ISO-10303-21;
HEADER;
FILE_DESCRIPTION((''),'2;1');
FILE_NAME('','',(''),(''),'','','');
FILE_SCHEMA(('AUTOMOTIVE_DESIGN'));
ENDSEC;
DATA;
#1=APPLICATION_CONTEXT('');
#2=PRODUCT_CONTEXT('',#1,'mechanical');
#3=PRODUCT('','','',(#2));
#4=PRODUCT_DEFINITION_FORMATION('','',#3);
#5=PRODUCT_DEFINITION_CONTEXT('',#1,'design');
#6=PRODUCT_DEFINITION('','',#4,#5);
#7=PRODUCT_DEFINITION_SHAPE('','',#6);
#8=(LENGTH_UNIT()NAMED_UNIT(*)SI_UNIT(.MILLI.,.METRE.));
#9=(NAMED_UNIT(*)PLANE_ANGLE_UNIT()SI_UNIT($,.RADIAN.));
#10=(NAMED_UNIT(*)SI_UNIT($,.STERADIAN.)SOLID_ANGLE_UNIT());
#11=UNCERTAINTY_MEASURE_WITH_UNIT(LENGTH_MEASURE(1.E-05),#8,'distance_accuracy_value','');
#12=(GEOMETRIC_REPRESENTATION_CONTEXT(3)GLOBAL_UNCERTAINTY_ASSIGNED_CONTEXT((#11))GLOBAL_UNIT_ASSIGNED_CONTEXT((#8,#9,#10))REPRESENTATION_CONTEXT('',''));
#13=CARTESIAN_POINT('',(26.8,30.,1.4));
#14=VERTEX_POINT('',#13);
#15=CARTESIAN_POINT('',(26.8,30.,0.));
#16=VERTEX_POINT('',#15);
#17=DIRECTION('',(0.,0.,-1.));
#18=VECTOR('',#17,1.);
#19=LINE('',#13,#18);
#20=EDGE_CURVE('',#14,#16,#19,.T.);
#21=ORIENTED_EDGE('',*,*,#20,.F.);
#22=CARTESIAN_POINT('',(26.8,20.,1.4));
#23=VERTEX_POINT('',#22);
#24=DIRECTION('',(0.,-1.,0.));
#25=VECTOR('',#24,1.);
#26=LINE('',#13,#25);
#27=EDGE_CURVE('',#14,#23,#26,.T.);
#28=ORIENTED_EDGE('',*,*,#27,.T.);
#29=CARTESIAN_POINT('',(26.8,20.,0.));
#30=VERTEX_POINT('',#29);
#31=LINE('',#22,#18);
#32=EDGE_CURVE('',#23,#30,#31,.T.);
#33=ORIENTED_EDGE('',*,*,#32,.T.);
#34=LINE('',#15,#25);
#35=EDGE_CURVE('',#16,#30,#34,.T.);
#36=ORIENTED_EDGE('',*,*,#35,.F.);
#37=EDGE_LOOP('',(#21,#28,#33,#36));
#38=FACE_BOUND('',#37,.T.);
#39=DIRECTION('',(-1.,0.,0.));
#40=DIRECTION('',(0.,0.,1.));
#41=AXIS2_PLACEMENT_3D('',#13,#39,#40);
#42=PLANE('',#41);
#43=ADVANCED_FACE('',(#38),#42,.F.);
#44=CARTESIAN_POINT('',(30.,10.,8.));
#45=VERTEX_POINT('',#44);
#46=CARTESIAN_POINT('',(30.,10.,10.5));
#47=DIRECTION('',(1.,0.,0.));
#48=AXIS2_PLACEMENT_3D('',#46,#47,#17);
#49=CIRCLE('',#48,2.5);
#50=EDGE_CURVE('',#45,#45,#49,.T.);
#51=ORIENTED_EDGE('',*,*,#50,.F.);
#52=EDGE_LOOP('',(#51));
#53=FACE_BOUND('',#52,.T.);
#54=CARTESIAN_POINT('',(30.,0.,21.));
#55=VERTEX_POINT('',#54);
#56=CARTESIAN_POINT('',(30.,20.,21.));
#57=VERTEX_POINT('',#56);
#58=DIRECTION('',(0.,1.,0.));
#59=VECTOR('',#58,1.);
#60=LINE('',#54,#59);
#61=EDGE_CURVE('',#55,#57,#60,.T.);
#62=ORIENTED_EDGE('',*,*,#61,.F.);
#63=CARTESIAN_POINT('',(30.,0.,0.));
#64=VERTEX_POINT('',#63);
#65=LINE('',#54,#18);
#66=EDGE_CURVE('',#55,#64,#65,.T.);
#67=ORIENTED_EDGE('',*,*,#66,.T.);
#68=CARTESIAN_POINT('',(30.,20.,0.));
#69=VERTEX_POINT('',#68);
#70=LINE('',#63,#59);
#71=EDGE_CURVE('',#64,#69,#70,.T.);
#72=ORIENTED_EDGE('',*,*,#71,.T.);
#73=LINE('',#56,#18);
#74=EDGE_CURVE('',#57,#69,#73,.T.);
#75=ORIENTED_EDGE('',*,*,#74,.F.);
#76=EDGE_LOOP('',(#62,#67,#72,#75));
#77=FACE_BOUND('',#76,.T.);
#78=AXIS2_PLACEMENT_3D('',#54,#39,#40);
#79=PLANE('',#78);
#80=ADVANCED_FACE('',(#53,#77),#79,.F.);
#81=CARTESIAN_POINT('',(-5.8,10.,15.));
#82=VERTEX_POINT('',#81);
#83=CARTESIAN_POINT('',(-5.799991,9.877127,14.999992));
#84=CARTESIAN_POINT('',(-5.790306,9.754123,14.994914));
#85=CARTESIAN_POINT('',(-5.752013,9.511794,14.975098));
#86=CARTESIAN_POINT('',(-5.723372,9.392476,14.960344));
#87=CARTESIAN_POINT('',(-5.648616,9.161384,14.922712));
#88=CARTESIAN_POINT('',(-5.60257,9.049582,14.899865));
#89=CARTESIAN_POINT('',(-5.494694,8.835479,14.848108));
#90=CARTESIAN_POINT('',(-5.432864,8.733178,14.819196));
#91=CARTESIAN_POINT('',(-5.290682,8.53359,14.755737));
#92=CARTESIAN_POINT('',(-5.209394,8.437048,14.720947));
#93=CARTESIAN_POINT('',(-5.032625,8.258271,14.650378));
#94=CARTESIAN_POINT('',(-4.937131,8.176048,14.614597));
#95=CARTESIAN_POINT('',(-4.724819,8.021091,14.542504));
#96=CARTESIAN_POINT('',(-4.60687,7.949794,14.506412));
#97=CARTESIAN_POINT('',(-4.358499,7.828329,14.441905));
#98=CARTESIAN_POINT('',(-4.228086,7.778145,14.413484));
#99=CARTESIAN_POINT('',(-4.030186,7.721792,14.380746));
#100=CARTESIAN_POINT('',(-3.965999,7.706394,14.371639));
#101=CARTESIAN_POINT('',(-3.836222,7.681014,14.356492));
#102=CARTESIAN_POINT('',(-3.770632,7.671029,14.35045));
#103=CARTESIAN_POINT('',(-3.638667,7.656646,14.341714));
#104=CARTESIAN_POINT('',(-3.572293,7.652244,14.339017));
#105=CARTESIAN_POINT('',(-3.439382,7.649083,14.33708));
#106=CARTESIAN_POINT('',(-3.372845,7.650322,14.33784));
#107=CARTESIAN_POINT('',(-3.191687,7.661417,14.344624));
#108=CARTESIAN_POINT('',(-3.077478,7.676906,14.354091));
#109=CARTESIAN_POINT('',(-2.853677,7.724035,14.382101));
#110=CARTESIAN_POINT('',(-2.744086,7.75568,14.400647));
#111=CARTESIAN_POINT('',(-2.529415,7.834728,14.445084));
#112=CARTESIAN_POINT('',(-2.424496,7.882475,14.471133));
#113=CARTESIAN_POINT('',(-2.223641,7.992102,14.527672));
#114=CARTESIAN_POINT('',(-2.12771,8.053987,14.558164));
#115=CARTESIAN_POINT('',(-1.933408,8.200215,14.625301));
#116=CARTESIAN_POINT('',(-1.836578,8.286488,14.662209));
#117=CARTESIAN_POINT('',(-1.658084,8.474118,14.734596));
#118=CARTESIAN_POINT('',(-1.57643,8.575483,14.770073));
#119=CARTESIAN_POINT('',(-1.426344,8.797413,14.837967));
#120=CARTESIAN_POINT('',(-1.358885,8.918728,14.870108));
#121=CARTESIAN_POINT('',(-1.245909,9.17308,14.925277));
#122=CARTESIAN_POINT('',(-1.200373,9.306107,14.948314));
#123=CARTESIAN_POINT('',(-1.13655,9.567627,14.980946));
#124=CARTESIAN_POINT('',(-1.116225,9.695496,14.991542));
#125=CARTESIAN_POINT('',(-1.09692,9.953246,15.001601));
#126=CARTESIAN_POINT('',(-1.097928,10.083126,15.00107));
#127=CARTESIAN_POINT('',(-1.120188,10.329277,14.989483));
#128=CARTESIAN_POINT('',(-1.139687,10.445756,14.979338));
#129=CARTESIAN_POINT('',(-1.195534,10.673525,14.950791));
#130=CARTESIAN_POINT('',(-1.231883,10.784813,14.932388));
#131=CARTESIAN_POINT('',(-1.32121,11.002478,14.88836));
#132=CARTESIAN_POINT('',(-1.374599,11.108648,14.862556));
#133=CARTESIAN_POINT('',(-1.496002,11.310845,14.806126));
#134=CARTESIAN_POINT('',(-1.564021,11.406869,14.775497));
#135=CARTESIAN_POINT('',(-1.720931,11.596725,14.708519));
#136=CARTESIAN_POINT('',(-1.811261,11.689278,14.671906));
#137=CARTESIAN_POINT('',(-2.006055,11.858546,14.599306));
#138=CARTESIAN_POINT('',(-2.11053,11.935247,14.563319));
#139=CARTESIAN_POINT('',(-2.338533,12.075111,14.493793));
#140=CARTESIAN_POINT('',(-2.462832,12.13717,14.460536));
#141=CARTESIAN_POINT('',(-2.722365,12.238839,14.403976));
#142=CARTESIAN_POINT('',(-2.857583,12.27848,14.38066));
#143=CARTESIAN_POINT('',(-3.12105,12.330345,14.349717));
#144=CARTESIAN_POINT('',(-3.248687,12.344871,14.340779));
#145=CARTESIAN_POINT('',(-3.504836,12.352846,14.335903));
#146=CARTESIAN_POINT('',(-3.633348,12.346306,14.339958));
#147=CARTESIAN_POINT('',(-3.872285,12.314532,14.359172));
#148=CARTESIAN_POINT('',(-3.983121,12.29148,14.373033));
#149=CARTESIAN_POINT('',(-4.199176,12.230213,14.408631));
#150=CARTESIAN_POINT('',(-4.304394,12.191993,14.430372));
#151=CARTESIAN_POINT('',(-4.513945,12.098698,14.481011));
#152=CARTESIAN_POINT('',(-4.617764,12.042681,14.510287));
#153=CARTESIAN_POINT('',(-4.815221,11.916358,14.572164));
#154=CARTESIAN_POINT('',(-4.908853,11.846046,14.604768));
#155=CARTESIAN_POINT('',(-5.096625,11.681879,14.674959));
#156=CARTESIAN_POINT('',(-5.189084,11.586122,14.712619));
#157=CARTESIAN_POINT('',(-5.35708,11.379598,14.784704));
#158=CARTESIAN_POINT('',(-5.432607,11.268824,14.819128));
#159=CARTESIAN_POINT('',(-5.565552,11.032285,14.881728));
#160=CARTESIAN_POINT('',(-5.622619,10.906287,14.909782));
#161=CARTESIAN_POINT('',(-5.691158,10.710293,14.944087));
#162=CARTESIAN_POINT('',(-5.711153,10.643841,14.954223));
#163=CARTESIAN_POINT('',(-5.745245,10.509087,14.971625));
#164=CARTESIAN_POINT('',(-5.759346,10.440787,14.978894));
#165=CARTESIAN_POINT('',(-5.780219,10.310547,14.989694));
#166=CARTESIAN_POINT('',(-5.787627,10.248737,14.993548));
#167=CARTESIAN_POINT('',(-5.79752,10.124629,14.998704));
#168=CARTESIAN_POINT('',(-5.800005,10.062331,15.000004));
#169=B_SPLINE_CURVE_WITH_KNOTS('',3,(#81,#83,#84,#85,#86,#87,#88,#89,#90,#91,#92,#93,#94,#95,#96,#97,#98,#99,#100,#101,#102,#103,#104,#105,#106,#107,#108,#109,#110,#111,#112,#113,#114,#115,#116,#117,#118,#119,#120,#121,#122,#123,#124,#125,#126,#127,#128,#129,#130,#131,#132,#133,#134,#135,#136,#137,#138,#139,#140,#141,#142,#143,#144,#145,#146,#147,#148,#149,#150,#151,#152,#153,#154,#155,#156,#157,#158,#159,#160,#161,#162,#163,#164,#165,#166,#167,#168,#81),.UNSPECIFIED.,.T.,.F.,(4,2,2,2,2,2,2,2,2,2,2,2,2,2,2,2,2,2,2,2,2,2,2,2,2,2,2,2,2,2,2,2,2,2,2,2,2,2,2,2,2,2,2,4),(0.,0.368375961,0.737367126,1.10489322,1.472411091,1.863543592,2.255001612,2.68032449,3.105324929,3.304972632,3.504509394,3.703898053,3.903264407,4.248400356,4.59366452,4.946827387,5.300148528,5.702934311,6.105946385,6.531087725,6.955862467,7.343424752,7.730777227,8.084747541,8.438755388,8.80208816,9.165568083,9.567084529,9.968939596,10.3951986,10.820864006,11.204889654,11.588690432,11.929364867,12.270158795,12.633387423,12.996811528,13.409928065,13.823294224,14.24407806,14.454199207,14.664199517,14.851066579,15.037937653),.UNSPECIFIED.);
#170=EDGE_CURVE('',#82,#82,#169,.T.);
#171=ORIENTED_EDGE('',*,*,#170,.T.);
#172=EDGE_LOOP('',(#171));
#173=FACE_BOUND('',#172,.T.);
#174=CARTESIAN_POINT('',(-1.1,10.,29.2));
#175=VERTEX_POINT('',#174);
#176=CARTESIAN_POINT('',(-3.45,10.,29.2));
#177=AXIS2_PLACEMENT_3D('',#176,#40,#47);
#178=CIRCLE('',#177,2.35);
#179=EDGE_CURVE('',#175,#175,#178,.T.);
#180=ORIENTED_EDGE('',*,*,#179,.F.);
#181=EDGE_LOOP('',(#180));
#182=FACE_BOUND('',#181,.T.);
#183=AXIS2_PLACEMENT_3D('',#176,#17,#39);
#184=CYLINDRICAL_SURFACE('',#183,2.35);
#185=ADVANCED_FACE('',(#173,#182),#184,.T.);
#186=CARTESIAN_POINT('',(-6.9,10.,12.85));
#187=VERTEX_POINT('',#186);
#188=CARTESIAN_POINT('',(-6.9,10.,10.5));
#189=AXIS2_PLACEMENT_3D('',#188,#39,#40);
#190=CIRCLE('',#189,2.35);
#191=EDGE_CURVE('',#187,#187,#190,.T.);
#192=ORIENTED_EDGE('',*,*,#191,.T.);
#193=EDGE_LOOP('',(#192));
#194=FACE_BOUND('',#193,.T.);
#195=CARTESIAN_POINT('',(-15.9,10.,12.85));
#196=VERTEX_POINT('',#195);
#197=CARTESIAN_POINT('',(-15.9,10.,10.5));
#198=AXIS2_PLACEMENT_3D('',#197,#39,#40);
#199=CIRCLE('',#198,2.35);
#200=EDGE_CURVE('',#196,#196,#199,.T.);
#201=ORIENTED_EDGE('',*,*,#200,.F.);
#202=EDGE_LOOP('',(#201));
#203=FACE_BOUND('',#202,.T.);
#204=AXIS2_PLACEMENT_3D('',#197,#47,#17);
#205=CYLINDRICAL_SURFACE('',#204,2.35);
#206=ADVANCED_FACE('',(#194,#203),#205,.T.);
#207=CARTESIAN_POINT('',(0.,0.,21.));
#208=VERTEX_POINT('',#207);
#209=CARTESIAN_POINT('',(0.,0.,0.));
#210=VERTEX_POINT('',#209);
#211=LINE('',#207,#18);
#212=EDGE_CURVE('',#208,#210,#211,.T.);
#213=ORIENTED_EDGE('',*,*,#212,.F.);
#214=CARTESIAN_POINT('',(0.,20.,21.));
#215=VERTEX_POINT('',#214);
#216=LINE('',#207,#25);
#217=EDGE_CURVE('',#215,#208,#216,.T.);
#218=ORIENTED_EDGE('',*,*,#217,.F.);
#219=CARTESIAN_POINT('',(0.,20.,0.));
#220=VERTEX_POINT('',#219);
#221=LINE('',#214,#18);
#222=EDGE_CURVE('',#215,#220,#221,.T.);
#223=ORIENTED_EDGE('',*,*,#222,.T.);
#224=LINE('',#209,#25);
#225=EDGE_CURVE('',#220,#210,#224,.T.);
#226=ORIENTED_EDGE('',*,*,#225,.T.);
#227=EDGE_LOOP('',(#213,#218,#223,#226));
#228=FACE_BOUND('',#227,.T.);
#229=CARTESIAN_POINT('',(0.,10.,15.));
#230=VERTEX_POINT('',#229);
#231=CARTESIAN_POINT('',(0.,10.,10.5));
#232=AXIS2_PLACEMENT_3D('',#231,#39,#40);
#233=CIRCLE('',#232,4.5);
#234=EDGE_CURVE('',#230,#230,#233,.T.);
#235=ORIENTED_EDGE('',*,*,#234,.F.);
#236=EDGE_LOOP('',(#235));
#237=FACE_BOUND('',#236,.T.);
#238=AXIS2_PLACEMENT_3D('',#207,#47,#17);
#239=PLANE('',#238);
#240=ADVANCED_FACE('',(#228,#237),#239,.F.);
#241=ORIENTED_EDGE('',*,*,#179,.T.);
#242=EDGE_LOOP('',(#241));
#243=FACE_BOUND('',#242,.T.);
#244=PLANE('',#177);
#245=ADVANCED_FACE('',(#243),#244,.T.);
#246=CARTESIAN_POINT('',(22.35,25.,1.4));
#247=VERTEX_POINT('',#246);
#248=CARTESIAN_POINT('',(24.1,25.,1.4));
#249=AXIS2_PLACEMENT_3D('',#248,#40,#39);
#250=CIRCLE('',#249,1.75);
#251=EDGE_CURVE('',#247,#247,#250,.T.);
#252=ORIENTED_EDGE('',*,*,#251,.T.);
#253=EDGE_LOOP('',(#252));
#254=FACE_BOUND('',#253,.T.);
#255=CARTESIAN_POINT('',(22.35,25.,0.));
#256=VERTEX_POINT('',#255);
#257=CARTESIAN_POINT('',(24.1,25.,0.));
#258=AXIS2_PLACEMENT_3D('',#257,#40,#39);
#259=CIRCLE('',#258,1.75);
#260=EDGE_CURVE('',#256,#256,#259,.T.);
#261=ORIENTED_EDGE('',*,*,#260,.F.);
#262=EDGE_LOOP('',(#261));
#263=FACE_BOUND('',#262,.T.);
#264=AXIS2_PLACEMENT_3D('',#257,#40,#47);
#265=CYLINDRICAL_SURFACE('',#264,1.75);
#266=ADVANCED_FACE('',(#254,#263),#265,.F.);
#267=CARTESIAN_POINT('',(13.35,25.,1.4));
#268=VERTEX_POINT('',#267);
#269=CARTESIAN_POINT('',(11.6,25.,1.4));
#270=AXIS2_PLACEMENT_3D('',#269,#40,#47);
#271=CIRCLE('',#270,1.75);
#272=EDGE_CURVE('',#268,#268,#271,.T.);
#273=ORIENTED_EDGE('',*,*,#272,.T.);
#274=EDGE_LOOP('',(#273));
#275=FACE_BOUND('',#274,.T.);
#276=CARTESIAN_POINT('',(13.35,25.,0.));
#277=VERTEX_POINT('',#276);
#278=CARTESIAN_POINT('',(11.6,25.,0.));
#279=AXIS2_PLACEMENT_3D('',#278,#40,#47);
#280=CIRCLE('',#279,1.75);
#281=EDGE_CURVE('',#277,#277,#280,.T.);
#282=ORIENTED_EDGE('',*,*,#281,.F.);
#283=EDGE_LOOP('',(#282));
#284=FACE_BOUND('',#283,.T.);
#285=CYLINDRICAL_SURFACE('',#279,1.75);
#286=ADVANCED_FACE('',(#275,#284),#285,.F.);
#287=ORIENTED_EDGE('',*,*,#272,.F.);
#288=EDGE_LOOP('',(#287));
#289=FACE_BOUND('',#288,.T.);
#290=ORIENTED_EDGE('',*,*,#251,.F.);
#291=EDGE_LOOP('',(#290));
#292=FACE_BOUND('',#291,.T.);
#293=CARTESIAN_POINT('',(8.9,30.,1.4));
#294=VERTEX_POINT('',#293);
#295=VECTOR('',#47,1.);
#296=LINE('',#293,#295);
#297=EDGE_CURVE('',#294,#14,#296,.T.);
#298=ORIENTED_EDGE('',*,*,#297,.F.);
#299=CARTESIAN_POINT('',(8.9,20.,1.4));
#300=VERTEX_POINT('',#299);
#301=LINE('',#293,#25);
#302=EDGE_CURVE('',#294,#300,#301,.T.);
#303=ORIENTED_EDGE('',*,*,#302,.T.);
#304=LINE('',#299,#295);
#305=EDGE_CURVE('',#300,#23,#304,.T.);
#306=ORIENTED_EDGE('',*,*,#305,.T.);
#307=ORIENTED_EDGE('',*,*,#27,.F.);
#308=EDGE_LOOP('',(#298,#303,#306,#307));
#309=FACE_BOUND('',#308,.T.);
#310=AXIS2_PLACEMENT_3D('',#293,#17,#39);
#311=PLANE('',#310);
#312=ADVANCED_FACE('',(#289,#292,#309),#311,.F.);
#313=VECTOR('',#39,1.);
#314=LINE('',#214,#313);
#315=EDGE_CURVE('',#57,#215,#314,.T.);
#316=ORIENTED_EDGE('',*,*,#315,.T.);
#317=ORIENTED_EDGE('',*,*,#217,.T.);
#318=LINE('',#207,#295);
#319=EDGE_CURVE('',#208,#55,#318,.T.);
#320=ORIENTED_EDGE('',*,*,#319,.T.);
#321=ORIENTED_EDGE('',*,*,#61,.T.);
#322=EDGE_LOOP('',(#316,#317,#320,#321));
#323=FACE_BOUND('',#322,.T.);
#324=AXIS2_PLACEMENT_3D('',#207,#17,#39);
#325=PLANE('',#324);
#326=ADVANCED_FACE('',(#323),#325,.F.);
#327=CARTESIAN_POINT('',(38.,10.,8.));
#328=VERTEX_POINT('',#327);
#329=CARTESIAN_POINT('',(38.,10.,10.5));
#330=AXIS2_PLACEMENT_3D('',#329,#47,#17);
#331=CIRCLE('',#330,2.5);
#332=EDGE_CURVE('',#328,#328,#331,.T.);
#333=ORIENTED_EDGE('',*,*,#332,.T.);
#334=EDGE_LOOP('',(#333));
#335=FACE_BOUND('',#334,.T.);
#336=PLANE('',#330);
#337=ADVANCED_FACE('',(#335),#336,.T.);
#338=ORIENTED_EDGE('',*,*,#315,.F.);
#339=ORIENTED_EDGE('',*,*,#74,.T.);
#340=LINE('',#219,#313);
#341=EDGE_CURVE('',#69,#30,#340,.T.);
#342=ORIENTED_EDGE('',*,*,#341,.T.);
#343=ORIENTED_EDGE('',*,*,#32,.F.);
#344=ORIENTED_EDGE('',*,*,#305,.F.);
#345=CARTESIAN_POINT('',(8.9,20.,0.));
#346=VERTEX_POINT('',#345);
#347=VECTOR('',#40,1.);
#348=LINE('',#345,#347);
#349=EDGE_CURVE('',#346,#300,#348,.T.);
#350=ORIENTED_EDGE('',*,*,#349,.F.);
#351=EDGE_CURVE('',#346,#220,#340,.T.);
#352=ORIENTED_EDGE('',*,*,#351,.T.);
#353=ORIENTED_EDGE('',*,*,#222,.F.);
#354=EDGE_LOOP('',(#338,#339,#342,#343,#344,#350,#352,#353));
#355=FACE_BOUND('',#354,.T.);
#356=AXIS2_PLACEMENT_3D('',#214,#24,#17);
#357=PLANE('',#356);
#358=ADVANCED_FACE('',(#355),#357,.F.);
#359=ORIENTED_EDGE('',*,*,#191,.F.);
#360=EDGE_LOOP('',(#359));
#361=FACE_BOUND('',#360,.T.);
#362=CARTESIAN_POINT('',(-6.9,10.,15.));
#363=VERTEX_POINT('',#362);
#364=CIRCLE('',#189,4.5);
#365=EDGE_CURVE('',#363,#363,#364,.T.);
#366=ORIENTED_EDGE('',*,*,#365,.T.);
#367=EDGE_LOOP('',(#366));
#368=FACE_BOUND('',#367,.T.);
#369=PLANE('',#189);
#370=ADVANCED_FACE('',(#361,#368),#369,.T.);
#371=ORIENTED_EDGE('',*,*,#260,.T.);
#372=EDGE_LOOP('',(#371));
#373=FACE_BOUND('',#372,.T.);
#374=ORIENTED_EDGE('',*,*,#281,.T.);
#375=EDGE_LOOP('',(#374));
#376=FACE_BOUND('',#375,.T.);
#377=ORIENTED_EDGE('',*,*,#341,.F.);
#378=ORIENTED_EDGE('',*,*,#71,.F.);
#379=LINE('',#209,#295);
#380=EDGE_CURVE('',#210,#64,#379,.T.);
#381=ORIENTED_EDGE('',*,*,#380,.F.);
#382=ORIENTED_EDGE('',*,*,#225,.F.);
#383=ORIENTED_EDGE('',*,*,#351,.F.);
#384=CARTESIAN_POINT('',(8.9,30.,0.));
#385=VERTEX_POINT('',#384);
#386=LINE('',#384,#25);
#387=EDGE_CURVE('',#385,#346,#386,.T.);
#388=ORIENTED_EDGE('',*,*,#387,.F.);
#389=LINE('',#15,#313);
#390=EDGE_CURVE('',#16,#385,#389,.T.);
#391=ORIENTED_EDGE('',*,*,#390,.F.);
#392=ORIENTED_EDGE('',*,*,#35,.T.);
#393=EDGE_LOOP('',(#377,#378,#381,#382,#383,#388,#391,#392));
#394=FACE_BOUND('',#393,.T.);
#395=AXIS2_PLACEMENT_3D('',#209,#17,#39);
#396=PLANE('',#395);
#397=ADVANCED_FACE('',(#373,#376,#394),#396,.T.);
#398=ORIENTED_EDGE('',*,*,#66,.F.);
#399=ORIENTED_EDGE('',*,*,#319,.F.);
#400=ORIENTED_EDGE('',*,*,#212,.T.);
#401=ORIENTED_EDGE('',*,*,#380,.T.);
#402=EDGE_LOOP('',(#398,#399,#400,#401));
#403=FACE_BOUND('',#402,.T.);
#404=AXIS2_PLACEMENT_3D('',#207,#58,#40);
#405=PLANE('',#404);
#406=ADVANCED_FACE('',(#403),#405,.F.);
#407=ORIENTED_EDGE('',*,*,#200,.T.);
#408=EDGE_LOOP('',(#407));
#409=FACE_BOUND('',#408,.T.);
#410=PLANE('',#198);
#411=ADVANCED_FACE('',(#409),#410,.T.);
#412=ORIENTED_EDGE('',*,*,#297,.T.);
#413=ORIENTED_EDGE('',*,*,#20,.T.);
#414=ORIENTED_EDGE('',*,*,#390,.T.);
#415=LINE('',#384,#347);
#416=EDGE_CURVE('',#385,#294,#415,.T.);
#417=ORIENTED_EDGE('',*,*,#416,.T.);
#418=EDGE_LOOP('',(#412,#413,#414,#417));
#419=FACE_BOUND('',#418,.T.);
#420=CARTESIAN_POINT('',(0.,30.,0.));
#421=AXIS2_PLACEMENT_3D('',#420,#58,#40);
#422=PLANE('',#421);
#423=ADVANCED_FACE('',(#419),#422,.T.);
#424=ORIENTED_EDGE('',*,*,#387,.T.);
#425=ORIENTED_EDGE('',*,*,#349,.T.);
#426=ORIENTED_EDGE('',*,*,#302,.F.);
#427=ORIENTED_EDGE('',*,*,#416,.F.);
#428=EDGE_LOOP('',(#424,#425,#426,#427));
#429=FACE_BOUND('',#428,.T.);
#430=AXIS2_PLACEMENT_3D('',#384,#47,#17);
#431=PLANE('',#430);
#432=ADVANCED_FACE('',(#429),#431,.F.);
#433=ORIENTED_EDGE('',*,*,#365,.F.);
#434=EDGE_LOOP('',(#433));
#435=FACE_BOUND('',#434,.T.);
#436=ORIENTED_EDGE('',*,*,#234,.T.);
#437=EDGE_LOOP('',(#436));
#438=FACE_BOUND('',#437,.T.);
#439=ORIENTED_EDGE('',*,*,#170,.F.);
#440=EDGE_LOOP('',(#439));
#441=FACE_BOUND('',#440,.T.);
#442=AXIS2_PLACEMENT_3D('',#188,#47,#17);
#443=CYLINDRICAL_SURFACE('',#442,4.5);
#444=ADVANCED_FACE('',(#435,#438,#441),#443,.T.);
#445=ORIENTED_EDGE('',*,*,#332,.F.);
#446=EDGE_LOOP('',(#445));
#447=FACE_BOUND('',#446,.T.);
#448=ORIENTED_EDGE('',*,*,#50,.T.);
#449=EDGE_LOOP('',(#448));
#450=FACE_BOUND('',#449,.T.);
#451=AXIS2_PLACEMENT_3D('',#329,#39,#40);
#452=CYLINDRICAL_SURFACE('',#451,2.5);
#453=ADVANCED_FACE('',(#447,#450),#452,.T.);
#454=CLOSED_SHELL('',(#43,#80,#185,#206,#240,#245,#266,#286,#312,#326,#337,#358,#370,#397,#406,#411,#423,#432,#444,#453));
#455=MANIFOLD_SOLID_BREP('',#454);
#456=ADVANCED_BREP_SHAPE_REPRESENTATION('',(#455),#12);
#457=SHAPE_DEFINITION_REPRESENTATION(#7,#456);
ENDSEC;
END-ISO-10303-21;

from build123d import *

# Parameters (mm, degrees)
SKETCH1_W                            = 30
SKETCH1_H                            = 20
BOSS_EXTRUDE1_DEPTH                  = 21
SKETCH2_W                            = 17.9
SKETCH2_H                            = 1.4
BOSS_EXTRUDE2_DEPTH                  = 10
SKETCH3_R                            = 2.5
BOSS_EXTRUDE3_DEPTH                  = 8
SKETCH4_R                            = 4.5
BOSS_EXTRUDE4_DEPTH                  = 6.9
SKETCH5_R                            = 2.35
BOSS_EXTRUDE5_DEPTH                  = 9
SKETCH7_R                            = 2.35
BOSS_EXTRUDE6_DEPTH                  = 14.2
BOSS_EXTRUDE6_DIRECTION_2_REACH      = 53.391
BOSS_EXTRUDE6_DIRECTION_2_END_RADIUS = 4.5
SKETCH8_2_R                          = 1.75
CUT_EXTRUDE1_DEPTH                   = 56.828666472
SKETCH8_R                            = 1.75
BOSS_EXTRUDE7_DEPTH                  = 27.8


with BuildPart() as part:
    # Sketch1 → Boss-Extrude1 (new body)
    with BuildSketch(Plane.XY):
        with Locations((15, 10)):
            Rectangle(SKETCH1_W, SKETCH1_H)
    extrude(amount=BOSS_EXTRUDE1_DEPTH)

    # Sketch2 → Boss-Extrude2 (add)
    with BuildSketch(Plane(origin=(0, 20, 0), x_dir=(1, 0, 0), z_dir=(0, 1, 0))):
        with Locations((17.85, -0.7)):
            Rectangle(SKETCH2_W, SKETCH2_H)
    extrude(amount=BOSS_EXTRUDE2_DEPTH)

    # Sketch3 → Boss-Extrude3 (add)
    with BuildSketch(Plane(origin=(30, 0, 0), x_dir=(0, 0, -1), z_dir=(1, 0, 0))):
        with Locations((-10.5, 10)):
            Circle(SKETCH3_R)
    extrude(amount=BOSS_EXTRUDE3_DEPTH)

    # Sketch4 → Boss-Extrude4 (add)
    with BuildSketch(Plane.ZY):
        with Locations(Location((10.5, 10, 0), (0, 0, 180))):
            Circle(SKETCH4_R)
    extrude(amount=BOSS_EXTRUDE4_DEPTH)

    # Sketch5 → Boss-Extrude5 (add)
    with BuildSketch(Plane.ZY.offset(6.9)):
        with Locations((10.5, 10)):
            Circle(SKETCH5_R)
    extrude(amount=BOSS_EXTRUDE5_DEPTH)

    # Sketch7 → Boss-Extrude6 (add)
    with BuildSketch(Plane(origin=(-6.9, 10, 15), x_dir=(1, 0, 0), z_dir=(0, 0, 1))):
        with Locations((3.45, 0)):
            Circle(SKETCH7_R)
    extrude(amount=BOSS_EXTRUDE6_DEPTH)

    # Boss-Extrude6 direction 2: up to this cylinder (the profile starts outside it)
    boss_extrude6_direction_2_end = Plane(origin=(-3.45, 10, 10.5), z_dir=(1, 0, 0)) * Cylinder(BOSS_EXTRUDE6_DIRECTION_2_END_RADIUS, 116.782, mode=Mode.PRIVATE)
    # Sketch7 → Boss-Extrude6 direction 2 (add, up to the surface)
    with BuildSketch(Plane(origin=(-6.9, 10, 15), x_dir=(1, 0, 0), z_dir=(0, 0, 1)), mode=Mode.PRIVATE) as boss_extrude6_direction_2_sk1:
        with Locations((3.45, 0)):
            Circle(SKETCH7_R)
    boss_extrude6_direction_2_tool1 = extrude(boss_extrude6_direction_2_sk1.sketch, amount=-BOSS_EXTRUDE6_DIRECTION_2_REACH, mode=Mode.PRIVATE) - boss_extrude6_direction_2_end
    add(boss_extrude6_direction_2_tool1.solids().sort_by_distance((-3.45, 10, 15))[0])
    add(boss_extrude6_direction_2_tool1.solids().sort_by_distance((-3.45, 10, 15))[1])

    # Sketch8<2> → Cut-Extrude1 (cut, through all)
    with BuildSketch(Plane.XY.offset(1.4)):
        with Locations((11.6, 25)):
            Circle(SKETCH8_2_R)
        with Locations(Location((24.1, 25, 0), (0, 0, 180))):
            Circle(SKETCH8_2_R)
    extrude(amount=-CUT_EXTRUDE1_DEPTH, mode=Mode.SUBTRACT)

    # Sketch8 → Boss-Extrude7 (add, through all)
    with BuildSketch(Plane.XY.offset(1.4)):
        with Locations((11.6, 25)):
            Circle(SKETCH8_R)
        with Locations(Location((24.1, 25, 0), (0, 0, 180))):
            Circle(SKETCH8_R)
    extrude(amount=BOSS_EXTRUDE7_DEPTH)


with BuildPart() as boss_extrude7_kept_piece:
    # of the separate pieces the step leaves, the one the design keeps (boss_extrude7_pieces_kept)
    add(part.part.solids().sort_by_distance((0, 0, 0))[0])


solid = boss_extrude7_kept_piece.part
